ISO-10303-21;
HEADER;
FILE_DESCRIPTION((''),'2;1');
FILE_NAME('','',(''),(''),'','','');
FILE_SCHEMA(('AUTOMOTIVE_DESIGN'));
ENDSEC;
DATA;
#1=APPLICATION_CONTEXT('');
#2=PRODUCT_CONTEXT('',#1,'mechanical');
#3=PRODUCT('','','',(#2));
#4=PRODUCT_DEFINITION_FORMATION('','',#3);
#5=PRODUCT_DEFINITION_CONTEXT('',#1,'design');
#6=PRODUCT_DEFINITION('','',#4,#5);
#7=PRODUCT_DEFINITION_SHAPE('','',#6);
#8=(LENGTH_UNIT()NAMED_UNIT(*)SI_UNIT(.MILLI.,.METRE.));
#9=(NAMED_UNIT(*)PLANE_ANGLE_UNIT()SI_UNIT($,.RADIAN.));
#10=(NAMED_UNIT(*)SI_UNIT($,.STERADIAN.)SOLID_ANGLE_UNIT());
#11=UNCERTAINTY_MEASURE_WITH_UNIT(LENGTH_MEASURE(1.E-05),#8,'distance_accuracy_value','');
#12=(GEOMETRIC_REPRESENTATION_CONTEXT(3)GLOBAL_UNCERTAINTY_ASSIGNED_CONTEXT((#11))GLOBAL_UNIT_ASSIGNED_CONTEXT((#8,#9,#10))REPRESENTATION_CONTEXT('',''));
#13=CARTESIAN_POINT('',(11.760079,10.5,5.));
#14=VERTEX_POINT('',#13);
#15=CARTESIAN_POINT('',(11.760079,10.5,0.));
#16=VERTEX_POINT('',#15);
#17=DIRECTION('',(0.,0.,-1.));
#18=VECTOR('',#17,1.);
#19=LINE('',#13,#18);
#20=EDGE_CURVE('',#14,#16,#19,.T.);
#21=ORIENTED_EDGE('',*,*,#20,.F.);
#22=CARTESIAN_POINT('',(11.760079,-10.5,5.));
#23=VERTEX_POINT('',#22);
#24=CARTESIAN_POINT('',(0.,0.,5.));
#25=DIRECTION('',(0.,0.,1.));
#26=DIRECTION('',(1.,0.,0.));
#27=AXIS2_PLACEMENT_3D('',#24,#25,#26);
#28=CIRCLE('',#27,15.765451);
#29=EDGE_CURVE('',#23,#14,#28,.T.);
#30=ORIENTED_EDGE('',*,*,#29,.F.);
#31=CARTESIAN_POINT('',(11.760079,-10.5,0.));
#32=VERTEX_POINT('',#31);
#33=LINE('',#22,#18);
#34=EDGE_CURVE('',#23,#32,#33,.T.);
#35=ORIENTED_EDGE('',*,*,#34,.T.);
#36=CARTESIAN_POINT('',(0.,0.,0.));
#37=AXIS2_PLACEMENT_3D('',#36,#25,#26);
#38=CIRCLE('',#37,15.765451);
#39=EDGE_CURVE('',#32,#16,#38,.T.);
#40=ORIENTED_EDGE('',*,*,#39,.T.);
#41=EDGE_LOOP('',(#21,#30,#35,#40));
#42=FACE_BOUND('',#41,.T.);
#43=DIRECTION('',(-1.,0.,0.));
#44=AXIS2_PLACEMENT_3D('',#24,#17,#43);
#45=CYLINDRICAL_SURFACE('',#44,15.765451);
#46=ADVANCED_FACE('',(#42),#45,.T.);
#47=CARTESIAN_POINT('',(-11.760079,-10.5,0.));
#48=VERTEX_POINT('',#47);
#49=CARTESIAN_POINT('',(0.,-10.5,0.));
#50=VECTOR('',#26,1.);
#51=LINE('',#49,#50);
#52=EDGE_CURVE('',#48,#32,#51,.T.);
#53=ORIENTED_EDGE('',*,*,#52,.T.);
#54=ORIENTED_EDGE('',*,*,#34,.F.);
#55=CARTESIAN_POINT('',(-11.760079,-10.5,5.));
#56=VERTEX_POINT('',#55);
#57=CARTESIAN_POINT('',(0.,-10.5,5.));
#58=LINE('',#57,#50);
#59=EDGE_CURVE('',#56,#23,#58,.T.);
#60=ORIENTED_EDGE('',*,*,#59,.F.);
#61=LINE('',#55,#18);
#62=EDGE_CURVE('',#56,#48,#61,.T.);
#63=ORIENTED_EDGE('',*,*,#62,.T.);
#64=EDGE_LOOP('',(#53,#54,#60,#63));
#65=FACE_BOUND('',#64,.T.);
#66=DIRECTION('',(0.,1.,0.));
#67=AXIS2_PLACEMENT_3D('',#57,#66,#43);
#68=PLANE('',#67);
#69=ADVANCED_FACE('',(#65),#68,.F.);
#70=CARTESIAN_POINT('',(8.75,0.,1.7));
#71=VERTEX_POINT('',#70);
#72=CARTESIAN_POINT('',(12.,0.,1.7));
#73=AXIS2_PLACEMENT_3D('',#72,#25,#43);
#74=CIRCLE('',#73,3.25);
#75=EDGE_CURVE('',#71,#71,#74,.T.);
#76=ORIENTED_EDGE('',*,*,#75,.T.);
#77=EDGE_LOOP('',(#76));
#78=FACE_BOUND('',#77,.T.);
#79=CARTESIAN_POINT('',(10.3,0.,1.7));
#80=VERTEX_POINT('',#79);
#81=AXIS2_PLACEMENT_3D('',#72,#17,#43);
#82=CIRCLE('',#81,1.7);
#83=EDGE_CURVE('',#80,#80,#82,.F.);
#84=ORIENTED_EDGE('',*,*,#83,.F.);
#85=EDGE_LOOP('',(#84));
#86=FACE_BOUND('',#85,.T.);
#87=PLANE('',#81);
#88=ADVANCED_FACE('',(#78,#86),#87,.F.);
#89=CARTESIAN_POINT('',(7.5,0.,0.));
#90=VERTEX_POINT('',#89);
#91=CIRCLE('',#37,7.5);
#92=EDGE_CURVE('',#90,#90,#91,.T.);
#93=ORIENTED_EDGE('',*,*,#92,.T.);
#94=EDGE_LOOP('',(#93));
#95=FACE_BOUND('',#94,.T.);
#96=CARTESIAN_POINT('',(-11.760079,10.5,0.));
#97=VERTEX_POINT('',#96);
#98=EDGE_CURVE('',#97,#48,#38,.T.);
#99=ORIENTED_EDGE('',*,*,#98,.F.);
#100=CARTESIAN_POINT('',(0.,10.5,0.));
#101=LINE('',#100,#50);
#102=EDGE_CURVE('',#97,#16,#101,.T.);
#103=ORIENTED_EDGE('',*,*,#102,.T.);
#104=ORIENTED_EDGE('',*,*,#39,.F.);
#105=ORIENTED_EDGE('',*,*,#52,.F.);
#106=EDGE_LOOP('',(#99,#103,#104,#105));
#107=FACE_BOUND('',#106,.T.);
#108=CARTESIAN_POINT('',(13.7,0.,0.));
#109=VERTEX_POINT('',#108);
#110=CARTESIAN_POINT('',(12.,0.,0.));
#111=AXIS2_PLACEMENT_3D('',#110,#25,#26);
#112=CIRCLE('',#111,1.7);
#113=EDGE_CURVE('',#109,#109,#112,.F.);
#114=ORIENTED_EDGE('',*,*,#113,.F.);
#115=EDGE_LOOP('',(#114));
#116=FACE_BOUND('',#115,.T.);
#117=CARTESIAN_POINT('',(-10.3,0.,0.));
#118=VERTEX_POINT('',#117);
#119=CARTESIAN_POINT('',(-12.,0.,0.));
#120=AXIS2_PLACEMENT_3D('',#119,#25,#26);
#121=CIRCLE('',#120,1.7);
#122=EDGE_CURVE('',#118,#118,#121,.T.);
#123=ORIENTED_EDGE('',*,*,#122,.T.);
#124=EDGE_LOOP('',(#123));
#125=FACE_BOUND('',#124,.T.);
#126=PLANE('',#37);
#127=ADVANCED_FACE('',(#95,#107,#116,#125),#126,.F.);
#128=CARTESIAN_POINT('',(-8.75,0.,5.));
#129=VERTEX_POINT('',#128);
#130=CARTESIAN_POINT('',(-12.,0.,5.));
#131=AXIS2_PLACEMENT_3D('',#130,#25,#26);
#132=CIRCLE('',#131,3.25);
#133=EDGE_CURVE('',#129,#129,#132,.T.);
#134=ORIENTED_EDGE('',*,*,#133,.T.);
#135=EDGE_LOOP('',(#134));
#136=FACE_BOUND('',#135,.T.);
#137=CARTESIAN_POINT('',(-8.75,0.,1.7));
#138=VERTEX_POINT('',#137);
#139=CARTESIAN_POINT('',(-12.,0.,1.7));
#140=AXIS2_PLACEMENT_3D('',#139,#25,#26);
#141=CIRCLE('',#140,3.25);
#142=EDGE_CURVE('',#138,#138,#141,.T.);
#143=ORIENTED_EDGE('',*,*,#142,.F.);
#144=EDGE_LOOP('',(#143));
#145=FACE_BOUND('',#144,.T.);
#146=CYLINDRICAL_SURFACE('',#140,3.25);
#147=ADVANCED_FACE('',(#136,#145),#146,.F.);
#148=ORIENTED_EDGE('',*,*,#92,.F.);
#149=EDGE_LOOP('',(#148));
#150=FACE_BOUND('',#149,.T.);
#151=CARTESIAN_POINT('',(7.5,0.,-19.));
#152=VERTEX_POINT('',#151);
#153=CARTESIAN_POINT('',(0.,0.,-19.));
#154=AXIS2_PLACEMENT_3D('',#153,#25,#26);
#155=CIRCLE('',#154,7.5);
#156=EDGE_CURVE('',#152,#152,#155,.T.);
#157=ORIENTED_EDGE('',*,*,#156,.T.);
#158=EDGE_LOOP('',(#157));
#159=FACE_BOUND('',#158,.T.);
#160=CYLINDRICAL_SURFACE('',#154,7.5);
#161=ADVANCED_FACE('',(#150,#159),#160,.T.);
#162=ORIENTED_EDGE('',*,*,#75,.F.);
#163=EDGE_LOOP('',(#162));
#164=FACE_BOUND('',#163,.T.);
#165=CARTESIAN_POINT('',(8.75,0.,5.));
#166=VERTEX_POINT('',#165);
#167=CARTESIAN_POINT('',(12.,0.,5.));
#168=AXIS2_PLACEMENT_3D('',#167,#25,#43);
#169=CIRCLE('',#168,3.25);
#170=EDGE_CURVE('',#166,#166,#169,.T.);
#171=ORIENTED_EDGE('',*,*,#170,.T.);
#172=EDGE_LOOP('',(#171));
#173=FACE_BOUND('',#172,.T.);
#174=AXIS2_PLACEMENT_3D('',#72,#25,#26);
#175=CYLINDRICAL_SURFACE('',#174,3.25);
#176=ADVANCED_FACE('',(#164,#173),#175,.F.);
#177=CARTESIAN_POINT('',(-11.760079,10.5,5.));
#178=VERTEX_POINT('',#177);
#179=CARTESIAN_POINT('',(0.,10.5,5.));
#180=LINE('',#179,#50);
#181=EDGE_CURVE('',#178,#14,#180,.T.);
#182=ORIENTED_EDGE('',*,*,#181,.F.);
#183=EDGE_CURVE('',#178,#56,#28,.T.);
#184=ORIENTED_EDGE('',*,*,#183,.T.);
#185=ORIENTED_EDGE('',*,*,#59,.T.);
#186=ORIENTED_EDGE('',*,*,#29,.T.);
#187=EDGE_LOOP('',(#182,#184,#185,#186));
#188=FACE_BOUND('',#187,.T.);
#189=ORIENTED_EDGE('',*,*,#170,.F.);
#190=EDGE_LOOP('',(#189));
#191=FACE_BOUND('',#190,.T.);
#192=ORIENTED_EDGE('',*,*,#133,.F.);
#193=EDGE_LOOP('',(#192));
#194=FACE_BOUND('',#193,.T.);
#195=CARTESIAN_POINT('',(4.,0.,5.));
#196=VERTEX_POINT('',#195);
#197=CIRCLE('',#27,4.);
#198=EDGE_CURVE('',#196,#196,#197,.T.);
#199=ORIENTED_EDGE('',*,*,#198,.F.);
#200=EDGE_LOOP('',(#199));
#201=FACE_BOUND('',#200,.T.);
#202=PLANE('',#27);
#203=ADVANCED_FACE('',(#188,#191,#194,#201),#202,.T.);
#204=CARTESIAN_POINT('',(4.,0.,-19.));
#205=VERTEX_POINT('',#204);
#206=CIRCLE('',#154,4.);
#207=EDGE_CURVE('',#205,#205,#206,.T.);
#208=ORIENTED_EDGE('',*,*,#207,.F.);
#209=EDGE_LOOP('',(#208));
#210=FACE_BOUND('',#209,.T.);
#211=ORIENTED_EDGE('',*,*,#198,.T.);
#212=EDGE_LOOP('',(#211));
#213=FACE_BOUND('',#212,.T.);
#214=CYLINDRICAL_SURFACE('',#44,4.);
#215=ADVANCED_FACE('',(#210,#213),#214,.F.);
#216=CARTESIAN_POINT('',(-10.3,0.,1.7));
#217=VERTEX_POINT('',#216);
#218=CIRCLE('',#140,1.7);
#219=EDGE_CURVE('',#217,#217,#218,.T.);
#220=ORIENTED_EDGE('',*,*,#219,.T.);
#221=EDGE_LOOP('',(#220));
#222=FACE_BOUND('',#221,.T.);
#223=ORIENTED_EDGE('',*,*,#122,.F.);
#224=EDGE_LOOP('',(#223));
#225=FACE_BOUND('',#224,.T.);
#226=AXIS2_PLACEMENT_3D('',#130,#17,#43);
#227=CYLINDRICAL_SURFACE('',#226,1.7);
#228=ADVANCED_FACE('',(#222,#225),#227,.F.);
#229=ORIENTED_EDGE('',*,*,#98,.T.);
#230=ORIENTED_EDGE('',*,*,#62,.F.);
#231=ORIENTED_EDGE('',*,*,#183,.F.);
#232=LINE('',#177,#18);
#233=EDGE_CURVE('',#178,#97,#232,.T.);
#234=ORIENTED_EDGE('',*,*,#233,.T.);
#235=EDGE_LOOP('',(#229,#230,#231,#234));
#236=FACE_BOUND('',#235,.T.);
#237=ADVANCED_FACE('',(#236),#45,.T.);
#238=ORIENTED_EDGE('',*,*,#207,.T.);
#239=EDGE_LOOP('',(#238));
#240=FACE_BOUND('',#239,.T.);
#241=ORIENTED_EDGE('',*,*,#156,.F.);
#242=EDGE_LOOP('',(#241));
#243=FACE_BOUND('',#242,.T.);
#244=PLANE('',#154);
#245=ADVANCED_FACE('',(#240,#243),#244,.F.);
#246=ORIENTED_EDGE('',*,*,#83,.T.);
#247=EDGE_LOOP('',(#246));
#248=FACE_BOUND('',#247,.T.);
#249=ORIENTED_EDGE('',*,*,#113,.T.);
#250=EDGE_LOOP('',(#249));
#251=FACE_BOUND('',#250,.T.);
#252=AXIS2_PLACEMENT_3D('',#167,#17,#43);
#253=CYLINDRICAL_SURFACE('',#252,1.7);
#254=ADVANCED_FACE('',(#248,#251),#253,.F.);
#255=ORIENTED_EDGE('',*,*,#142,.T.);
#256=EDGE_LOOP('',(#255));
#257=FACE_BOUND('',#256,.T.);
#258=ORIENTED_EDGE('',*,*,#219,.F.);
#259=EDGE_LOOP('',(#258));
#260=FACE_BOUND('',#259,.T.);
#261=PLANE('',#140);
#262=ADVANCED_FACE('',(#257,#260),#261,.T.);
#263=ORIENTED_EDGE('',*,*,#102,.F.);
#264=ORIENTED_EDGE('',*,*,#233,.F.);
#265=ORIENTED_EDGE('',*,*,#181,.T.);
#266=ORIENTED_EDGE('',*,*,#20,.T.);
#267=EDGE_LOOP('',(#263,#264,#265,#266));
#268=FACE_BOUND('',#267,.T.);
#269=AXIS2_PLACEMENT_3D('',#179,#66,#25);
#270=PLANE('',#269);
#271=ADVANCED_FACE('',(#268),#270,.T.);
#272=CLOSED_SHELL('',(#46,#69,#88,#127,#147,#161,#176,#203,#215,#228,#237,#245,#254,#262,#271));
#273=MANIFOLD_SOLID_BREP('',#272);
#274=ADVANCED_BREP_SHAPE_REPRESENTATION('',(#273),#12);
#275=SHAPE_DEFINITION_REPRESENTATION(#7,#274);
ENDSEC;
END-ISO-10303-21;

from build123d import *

# Parameters (mm, degrees)
SKETCH1_R           = 1.7
SKETCH1_R_2         = 4
BOSS_EXTRUDE1_DEPTH = 5
BOSS_EXTRUDE2_START = -19
SKETCH1_3_R         = 7.5
SKETCH1_3_R_2       = 4
BOSS_EXTRUDE2_DEPTH = 19
SKETCH2_R           = 3.25
CUT_EXTRUDE1_DEPTH  = 3.3


with BuildPart() as part:
    # Sketch1 → Boss-Extrude1 (new body)
    with BuildSketch(Plane.XY):
        with BuildLine():
            Line((11.760078621, 10.5), (-11.760078621, 10.5))
            ThreePointArc((-11.760078621, 10.5), (-15.765451125, 0), (-11.760078621, -10.5))
            Line((-11.760078621, -10.5), (11.760078621, -10.5))
            ThreePointArc((11.760078621, -10.5), (15.765451125, 0), (11.760078621, 10.5))
        make_face()
        with Locations((-12, 0)):
            Circle(SKETCH1_R, mode=Mode.SUBTRACT)
        with Locations((12, 0)):
            Circle(SKETCH1_R, mode=Mode.SUBTRACT)
        Circle(SKETCH1_R_2, mode=Mode.SUBTRACT)
    extrude(amount=BOSS_EXTRUDE1_DEPTH)

    # Sketch1<3> → Boss-Extrude2 (add)
    with BuildSketch(Plane.XY.offset(BOSS_EXTRUDE2_START)):
        Circle(SKETCH1_3_R)
        Circle(SKETCH1_3_R_2, mode=Mode.SUBTRACT)
    extrude(amount=BOSS_EXTRUDE2_DEPTH)

    # Sketch2 → Cut-Extrude1 (cut)
    with BuildSketch(Plane.XY.offset(5)):
        with Locations((-12, 0)):
            Circle(SKETCH2_R)
        with Locations((12, 0)):
            Circle(SKETCH2_R)
    extrude(amount=-CUT_EXTRUDE1_DEPTH, mode=Mode.SUBTRACT)


solid = part.part
